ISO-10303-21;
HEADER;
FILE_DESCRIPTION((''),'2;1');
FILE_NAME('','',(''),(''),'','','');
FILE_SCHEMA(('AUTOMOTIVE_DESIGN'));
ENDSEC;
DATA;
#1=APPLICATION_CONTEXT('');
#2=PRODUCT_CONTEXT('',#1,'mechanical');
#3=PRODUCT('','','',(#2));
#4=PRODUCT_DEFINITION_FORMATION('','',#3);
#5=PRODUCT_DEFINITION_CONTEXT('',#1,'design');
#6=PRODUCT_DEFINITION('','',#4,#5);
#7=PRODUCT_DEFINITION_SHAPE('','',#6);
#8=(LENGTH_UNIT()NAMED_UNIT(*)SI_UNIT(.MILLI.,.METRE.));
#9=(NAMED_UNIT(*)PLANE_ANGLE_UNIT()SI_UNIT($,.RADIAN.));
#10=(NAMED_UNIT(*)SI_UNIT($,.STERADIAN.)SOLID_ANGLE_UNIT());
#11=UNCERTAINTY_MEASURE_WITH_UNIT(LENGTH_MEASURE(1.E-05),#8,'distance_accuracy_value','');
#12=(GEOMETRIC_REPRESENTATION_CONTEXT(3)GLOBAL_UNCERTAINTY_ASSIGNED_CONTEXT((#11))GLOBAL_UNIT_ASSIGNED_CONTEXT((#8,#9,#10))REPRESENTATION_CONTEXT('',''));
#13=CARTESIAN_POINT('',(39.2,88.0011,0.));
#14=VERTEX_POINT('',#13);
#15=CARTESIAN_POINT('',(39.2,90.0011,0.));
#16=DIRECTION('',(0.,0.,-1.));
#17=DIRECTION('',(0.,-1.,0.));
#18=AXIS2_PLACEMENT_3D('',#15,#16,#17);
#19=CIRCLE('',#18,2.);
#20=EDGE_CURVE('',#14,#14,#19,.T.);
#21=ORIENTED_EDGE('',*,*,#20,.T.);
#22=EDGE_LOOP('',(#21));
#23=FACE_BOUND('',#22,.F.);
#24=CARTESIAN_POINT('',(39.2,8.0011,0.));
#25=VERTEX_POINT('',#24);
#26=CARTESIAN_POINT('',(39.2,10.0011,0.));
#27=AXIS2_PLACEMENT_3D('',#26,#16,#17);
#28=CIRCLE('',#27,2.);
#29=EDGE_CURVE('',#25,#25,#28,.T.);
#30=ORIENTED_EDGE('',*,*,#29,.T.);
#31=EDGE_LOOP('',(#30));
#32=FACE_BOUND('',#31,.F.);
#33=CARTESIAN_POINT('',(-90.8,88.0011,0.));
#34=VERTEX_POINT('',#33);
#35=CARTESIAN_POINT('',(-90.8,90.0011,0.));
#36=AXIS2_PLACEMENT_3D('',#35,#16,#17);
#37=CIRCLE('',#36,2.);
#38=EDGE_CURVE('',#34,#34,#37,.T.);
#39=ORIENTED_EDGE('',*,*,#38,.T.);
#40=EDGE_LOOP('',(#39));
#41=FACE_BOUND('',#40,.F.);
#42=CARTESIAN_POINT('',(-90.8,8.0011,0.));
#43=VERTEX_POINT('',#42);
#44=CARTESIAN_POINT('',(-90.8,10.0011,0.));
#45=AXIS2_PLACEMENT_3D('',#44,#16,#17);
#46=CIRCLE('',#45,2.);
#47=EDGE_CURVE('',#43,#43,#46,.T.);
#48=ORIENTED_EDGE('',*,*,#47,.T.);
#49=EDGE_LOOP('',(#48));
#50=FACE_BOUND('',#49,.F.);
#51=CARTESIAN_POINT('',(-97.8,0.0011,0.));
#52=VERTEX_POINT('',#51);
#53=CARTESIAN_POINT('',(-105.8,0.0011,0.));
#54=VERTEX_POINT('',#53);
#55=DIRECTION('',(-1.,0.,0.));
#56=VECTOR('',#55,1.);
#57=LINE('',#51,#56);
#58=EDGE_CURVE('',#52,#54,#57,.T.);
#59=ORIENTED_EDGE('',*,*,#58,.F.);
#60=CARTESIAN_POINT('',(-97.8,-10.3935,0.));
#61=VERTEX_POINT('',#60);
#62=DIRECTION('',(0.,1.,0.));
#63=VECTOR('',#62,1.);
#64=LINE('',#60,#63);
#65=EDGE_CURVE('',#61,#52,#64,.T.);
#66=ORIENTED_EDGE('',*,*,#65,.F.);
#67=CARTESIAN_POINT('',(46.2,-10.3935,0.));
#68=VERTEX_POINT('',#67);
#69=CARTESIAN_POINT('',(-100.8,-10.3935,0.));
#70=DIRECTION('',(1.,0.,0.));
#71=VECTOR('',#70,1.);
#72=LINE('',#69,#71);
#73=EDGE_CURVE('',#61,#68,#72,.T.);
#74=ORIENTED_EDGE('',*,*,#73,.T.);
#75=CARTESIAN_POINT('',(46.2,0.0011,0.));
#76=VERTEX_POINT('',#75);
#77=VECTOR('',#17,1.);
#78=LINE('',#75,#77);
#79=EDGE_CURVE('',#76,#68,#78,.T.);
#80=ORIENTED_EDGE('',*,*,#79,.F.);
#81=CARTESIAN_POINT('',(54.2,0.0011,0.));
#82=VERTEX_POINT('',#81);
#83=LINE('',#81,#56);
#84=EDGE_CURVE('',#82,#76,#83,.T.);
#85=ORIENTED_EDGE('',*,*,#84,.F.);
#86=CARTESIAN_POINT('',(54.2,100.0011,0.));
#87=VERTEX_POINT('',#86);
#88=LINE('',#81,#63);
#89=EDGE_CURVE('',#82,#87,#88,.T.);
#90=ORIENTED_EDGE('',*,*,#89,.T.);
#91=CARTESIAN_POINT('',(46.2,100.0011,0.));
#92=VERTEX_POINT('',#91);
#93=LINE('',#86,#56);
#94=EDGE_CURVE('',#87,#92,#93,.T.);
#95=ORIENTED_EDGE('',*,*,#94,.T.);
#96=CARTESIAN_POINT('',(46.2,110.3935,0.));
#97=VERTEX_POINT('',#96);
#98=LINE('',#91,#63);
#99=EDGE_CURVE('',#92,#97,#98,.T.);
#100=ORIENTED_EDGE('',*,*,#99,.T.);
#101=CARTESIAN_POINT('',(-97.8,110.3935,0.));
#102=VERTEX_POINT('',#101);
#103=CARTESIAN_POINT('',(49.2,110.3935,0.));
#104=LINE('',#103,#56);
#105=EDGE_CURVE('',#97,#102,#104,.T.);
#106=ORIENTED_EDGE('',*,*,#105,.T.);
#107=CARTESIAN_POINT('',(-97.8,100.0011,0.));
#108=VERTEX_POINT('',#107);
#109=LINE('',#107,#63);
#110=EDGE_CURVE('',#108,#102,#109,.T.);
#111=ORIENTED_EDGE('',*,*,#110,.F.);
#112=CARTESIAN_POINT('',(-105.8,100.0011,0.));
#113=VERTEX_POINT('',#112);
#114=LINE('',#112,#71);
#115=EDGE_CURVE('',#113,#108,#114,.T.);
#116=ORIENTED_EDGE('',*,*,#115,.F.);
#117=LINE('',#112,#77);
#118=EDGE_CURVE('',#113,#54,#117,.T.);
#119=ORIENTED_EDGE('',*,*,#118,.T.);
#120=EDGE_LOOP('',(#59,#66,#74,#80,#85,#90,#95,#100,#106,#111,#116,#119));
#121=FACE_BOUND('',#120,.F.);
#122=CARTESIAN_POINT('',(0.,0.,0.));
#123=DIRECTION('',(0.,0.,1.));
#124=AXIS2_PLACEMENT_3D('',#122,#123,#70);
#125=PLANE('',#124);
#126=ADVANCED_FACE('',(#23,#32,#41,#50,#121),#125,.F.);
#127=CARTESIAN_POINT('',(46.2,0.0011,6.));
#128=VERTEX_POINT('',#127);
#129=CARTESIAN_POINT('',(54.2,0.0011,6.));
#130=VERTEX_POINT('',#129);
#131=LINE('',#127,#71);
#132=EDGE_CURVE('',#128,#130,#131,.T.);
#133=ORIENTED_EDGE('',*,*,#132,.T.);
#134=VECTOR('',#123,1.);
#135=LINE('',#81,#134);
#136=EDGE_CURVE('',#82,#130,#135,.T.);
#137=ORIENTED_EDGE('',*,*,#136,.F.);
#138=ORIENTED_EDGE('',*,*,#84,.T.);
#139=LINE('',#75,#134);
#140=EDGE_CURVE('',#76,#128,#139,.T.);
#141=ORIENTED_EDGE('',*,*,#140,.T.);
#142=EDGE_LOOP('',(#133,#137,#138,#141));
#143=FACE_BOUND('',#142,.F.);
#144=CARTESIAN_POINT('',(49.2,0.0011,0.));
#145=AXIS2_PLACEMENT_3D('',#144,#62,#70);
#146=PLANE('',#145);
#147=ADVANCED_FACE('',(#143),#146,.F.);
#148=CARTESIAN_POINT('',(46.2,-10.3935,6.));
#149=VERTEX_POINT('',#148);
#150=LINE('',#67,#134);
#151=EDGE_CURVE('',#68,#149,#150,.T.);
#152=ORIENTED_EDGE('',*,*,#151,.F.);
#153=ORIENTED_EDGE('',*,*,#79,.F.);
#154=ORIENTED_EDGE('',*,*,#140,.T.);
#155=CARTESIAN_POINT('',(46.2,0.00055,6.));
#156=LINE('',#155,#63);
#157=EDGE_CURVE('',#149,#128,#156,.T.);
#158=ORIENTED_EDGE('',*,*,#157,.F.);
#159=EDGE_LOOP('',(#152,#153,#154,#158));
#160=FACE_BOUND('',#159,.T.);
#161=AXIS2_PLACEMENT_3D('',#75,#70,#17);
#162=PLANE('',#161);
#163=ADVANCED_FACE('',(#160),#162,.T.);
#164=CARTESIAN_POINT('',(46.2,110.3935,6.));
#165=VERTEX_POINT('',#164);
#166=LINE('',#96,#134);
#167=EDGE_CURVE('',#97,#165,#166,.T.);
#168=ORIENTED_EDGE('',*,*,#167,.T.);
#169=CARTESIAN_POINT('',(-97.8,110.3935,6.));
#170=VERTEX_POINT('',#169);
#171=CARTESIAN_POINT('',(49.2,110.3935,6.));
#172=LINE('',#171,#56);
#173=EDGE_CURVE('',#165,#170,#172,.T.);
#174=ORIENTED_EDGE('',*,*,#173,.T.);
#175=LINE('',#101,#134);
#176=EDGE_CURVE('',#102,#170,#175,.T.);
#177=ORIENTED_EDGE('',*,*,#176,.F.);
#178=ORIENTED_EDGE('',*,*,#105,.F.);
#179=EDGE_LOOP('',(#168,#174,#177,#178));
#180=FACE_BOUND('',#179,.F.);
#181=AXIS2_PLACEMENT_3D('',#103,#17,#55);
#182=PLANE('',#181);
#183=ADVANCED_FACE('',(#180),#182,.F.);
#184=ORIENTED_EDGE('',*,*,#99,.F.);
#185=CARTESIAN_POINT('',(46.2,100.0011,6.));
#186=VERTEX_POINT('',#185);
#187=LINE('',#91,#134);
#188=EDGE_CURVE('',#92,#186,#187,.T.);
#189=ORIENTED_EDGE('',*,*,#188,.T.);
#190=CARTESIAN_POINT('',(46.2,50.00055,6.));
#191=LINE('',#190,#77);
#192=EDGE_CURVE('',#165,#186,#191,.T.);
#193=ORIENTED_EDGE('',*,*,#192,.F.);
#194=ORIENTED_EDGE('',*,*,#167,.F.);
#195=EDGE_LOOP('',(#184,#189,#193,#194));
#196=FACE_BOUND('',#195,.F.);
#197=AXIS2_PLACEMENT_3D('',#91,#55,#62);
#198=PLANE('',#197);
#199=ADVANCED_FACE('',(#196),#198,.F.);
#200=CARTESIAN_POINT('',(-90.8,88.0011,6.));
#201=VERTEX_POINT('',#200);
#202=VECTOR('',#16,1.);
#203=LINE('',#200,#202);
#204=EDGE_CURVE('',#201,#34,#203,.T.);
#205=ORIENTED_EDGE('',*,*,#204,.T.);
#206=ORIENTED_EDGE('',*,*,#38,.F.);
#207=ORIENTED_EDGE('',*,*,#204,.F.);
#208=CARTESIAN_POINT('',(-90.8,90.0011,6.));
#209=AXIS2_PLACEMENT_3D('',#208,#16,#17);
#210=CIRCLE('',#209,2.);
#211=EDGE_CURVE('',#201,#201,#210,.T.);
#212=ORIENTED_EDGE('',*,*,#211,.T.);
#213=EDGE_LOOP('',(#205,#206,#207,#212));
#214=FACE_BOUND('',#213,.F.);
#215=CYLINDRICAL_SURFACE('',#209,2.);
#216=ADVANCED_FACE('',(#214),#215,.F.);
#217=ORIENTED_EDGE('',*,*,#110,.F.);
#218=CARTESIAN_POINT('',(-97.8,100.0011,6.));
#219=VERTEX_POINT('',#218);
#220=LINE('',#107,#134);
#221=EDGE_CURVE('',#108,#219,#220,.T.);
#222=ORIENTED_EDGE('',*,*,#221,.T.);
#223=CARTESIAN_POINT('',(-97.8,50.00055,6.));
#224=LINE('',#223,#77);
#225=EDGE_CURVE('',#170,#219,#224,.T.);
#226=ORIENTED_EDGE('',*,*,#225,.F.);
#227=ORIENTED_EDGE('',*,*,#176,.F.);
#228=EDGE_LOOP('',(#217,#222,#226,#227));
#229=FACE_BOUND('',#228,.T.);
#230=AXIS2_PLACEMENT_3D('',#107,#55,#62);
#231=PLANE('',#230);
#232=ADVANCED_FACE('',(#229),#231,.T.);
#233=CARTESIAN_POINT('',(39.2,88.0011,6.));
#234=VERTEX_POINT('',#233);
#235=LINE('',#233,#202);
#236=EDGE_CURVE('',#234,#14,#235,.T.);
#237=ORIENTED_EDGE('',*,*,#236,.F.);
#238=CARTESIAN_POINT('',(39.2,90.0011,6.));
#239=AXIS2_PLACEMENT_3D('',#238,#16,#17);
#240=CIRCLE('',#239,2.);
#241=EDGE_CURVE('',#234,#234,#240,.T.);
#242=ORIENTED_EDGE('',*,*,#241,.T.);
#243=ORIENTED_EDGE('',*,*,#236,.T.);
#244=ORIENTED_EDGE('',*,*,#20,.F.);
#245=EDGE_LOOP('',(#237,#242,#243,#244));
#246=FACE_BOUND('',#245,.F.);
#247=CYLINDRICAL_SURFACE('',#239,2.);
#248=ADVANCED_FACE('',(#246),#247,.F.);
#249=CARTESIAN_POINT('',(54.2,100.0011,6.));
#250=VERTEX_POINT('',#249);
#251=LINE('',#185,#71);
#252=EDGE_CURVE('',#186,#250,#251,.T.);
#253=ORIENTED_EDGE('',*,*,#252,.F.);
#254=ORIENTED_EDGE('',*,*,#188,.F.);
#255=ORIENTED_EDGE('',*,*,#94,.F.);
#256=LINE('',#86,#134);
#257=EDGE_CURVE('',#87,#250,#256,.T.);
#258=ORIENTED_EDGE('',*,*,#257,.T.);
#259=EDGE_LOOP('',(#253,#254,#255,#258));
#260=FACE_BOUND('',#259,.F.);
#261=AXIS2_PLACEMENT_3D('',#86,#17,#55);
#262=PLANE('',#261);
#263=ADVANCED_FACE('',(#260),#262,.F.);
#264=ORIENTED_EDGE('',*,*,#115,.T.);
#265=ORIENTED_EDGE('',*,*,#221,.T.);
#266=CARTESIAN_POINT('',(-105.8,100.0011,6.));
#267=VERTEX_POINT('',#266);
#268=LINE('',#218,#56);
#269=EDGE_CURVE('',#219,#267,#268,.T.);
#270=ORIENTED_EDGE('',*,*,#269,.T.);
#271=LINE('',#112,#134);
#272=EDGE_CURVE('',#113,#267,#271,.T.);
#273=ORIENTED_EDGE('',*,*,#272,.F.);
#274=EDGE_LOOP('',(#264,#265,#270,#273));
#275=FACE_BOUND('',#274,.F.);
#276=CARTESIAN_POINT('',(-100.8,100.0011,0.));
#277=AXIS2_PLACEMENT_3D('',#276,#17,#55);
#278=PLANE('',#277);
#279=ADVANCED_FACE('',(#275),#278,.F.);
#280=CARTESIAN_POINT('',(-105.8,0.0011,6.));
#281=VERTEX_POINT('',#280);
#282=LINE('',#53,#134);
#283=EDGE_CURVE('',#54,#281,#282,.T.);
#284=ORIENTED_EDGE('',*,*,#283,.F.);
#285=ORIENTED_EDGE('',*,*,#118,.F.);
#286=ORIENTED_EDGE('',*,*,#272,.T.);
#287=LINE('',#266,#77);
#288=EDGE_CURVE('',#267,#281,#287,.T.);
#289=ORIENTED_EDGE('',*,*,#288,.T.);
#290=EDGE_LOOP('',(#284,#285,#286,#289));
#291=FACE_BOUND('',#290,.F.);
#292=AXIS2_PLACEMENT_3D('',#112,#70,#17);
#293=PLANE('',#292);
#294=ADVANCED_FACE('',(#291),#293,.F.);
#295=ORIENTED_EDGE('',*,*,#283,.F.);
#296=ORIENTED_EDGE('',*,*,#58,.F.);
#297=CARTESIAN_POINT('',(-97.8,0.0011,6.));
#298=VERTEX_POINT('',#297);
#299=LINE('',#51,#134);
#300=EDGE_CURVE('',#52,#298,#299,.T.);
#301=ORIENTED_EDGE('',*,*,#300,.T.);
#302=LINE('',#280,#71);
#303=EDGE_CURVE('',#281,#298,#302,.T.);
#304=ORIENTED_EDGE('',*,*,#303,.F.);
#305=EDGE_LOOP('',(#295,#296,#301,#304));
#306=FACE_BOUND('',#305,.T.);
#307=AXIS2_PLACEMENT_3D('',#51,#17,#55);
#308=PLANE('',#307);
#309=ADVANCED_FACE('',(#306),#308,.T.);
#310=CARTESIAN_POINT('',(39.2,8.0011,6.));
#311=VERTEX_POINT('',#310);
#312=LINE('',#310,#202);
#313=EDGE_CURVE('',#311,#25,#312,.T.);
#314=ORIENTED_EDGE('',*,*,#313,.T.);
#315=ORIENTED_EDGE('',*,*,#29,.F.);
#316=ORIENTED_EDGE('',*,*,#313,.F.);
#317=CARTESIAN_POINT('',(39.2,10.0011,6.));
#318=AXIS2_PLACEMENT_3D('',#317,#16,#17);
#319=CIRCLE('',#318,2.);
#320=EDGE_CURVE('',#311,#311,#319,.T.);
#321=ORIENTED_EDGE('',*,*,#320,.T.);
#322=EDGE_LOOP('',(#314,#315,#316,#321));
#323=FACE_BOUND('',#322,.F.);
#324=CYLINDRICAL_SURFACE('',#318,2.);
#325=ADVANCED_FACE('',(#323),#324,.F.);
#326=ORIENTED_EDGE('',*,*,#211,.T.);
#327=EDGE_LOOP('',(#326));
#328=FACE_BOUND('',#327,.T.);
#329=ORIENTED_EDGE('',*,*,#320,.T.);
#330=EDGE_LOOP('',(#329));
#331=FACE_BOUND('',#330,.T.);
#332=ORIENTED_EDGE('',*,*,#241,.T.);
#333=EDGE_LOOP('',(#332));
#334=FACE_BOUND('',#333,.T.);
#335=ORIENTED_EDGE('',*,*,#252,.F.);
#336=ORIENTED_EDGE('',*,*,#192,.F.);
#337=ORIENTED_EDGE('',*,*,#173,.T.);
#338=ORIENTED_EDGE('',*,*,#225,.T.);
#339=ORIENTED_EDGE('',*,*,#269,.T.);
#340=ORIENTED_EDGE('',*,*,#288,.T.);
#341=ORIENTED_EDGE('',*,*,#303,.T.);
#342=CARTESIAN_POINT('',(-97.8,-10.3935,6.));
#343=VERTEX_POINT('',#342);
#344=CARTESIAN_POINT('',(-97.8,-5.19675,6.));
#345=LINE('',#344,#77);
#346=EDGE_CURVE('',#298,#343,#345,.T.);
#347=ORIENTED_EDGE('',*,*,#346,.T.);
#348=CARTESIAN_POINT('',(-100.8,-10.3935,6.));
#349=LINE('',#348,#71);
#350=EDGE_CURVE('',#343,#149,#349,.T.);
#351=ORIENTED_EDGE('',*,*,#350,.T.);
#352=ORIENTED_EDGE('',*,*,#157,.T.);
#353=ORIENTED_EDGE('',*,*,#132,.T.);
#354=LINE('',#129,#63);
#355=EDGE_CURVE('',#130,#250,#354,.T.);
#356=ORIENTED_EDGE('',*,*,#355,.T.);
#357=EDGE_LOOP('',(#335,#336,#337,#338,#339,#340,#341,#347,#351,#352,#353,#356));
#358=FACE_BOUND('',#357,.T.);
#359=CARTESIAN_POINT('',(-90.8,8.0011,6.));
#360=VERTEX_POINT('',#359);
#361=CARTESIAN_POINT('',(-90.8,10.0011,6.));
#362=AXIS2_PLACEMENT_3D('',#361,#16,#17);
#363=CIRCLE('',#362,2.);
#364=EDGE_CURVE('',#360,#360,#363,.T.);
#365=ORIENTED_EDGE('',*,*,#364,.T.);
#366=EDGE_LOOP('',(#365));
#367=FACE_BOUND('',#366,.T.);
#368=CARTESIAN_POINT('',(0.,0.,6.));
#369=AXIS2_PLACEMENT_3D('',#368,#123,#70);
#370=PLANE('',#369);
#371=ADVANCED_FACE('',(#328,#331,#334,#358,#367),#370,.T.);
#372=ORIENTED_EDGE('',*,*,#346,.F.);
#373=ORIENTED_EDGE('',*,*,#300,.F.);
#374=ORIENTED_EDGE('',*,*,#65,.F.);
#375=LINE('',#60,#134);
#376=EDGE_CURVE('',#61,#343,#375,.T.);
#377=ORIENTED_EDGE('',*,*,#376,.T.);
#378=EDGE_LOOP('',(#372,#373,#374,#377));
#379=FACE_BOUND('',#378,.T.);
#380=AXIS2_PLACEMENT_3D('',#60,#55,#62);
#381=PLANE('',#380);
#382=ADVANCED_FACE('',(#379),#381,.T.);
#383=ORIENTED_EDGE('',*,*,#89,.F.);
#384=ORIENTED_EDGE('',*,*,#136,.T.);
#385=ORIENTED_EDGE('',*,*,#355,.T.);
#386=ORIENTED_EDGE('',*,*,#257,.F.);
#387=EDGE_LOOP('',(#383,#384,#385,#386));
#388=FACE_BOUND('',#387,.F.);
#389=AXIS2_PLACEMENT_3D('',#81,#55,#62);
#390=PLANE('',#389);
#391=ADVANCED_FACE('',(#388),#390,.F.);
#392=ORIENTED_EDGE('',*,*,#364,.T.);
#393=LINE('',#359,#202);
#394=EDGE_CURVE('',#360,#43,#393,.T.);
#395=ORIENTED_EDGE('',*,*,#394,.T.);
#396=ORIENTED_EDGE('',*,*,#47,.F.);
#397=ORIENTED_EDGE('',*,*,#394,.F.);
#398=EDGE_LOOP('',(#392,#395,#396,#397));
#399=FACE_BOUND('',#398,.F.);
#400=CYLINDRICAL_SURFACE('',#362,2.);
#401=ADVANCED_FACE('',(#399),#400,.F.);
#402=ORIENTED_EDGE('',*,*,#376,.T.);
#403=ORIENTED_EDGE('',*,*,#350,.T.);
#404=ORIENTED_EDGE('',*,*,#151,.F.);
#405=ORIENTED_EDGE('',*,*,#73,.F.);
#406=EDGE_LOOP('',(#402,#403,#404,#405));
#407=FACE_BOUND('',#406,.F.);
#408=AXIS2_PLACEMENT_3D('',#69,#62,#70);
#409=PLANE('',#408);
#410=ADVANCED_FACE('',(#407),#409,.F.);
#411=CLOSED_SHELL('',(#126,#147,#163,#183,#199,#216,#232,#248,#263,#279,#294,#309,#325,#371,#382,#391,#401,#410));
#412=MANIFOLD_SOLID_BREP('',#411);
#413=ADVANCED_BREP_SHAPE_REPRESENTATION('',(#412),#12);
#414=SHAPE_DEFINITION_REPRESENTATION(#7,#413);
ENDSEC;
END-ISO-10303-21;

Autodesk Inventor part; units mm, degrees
ref_plane "YZ Plane" through (0, 0, 0) normal (1, 0, 0) x (0, 1, 0)
ref_plane "XZ Plane" through (0, 0, 0) normal (0, 1, 0) x (-1, 0, 0)
ref_plane "XY Plane" through (0, 0, 0) normal (0, 0, 1) x (1, 0, 0)
sketch "Skizze1" plane through (0, 0, 0) normal (0, 0, 1) x (1, 0, 0)
  line L0 (-102.3641, 100) -> (-101.6, 100) construction
  line L1 (-101.6, 0) -> (-102.3641, 0) construction
  line L2 (19.2, -16.0826) -> (-120.8, -16.0826) construction
  line L3 (-120.8, -16.0826) -> (-120.8, -13.8079) construction
  line L4 (-120.8, -13.8079) -> (19.2, -13.8079) construction
  line L5 (19.2, -13.8079) -> (19.2, -16.0826) construction
  line L6 (19.2, -28.3315) -> (-120.8, -28.3315) construction
  line L7 (-120.8, -28.3315) -> (-120.8, -24.6314) construction
  line L8 (-120.8, -24.6314) -> (19.2, -24.6314) construction
  line L9 (19.2, -24.6314) -> (19.2, -28.3315) construction
  line L10 (-120.8, 124.6314) -> (-120.8, 128.3315) construction
  line L11 (19.2, 128.3315) -> (19.2, 124.6314) construction
  line L12 (19.2, 116.0826) -> (19.2, 113.8079) construction
  line L13 (0, 100) -> (0.7641, 100) construction
  line L14 (0.7641, 0) -> (0, 0) construction
  line L15 (17.6359, 100) -> (18.4, 100) construction
  line L16 (18.4, 0) -> (17.6359, 0) construction
  line L17 (5.1816, 100) -> (13.2184, 100) construction
  line L18 (13.2184, 0) -> (5.1816, 0) construction
  line L19 (69.2, -3.3397) -> (-120.8, -3.3397) construction
  line L20 (69.2, 103.3397) -> (-120.8, 103.3397) construction
  line L21 (-105.8, 0.0011) -> (54.2, 0.0011)
  line L22 (54.2, 0.0011) -> (54.2, 100.0011)
  line L23 (54.2, 100.0011) -> (-105.8, 100.0011)
  line L24 (-105.8, 100.0011) -> (-105.8, 0.0011)
  line L25 (69.2, -9.3201) -> (-120.8, -9.3201) construction
  line L26 (69.2, 109.0272) -> (-120.8, 109.0272) construction
  line L27 (-100.8, -12.3397) -> (-100.8, 0) construction
  line L28 (49.2, 0) -> (49.2, -12.3397) construction
  line L29 (-100.8, -10.3935) -> (49.2, -10.3935)
  line L30 (49.2, -10.3935) -> (49.2, 110.3935)
  line L31 (49.2, 110.3935) -> (-100.8, 110.3935)
  line L32 (-100.8, 110.3935) -> (-100.8, -10.3935)
  line L33 (-120.8, -7.2256) -> (69.2, -7.2256)
  line L34 (74.2, 45.0011) -> (74.2, -28.46)
  line L35 (74.2, -28.46) -> (69.2, -28.46)
  line L36 (69.2, -28.46) -> (69.2, -6.9656)
  line L37 (69.2, -6.9656) -> (49.2, -6.9656)
  line L38 (49.2, -6.9656) -> (49.2, 0.0011)
  line L39 (49.2, 0.0011) -> (69.2, 0.0011)
  line L40 (69.2, 0.0011) -> (69.2, 45.0011)
  line L41 (69.2, 45.0011) -> (74.2, 45.0011)
  line L42 (69.2, 110.3935) -> (-120.8, 110.3935)
  line L43 (69.2, -11.4055) -> (69.2, -10.3935)
  line L44 (69.2, -10.3935) -> (-120.8, -10.3935)
  dimension "d2" = 5
  dimension "d3" = 5
  dimension "d4" = 100
extrude "Extrusion1" add sketch "Skizze1" along normal blind 6 contours L30 L23 L22 L21 | L30 L33 L32 L21 | L21 L32 L23 L30 | L21 L24 L23 L32 | L23 L32 L31 L30 | L33 L30 L29 L32
sketch "Skizze2" plane through (0, 0, 6) normal (0, 0, 1) x (1, 0, 0)
  line L0 (49.2, 100.0011) -> (49.2, 110.3935) projected
  line L1 (-100.8, 110.3935) -> (-100.8, 100.0011) projected
  line L2 (-100.8, 100.0011) -> (-105.8, 100.0011) projected
  line L3 (-105.8, 0.0011) -> (-100.8, 0.0011) projected
  line L4 (-100.8, 0.0011) -> (-100.8, -10.3935) projected
  line L5 (49.2, -10.3935) -> (49.2, 0.0011) projected
  line L6 (49.2, 0.0011) -> (54.2, 0.0011) projected
  line L7 (54.2, 100.0011) -> (49.2, 100.0011) projected
  point P0 (0, 0)
  point P1 (39.2, 10.0011)
  point P2 (39.2, 90.0011)
  point P3 (-90.8, 90.0011)
  point P4 (-90.8, 10.0011)
  dimension "d5" = 10
  dimension "d6" = 10
  dimension "d7" = 10
  dimension "d8" = 10
  dimension "d9" = 10
  dimension "d10" = 10
  dimension "d11" = 10
  dimension "d12" = 10
hole "Bohrung1" at (39.2, 10.0011, 6) at (39.2, 90.0011, 6) at (-90.8, 90.0011, 6) at (-90.8, 10.0011, 6) direction (0, 0, -1) diameter 4 end through all
sketch "Skizze3" plane through (0, 0, 0) normal (0, 0, -1) x (-1, 0, 0)
  line L0 (105.8, 0.0011) -> (100.8, 0.0011) projected
  line L1 (100.8, 110.3935) -> (100.8, 100.0011) projected
  line L2 (-49.2, 110.3935) -> (100.8, 110.3935) projected
  line L3 (-49.2, 100.0011) -> (-49.2, 110.3935) projected
  line L4 (-49.2, -10.3935) -> (-49.2, 0.0011) projected
  line L5 (100.8, -10.3935) -> (-49.2, -10.3935) projected
  line L6 (100.8, 0.0011) -> (100.8, -10.3935) projected
  line L7 (-49.2, 100.0011) -> (-46.2, 100.0011)
  line L8 (-46.2, 100.0011) -> (-46.2, 110.3935)
  line L9 (-49.2, 0.0011) -> (-46.2, 0.0011)
  line L10 (-46.2, 0.0011) -> (-46.2, -10.3935)
  line L11 (97.8, -10.3935) -> (97.8, 0.0011)
  line L12 (97.8, 0.0011) -> (100.8, 0.0011)
  line L13 (100.8, 100.0011) -> (97.8, 100.0011)
  line L14 (97.8, 100.0011) -> (97.8, 110.3935)
  point P0 (0, 0)
  dimension "d20" = 3
  dimension "d21" = 3
extrude "Extrusion2" cut sketch "Skizze3" against normal through all
equation "\"d2\" = d3"
equation "\"d7\" = d6"
equation "\"d8\" = d5"
equation "\"d9\" = d8"
equation "\"d10\" = d9"
equation "\"d21\" = d20"
properties part number "SeitenWand" material "Holz (Birke)"
